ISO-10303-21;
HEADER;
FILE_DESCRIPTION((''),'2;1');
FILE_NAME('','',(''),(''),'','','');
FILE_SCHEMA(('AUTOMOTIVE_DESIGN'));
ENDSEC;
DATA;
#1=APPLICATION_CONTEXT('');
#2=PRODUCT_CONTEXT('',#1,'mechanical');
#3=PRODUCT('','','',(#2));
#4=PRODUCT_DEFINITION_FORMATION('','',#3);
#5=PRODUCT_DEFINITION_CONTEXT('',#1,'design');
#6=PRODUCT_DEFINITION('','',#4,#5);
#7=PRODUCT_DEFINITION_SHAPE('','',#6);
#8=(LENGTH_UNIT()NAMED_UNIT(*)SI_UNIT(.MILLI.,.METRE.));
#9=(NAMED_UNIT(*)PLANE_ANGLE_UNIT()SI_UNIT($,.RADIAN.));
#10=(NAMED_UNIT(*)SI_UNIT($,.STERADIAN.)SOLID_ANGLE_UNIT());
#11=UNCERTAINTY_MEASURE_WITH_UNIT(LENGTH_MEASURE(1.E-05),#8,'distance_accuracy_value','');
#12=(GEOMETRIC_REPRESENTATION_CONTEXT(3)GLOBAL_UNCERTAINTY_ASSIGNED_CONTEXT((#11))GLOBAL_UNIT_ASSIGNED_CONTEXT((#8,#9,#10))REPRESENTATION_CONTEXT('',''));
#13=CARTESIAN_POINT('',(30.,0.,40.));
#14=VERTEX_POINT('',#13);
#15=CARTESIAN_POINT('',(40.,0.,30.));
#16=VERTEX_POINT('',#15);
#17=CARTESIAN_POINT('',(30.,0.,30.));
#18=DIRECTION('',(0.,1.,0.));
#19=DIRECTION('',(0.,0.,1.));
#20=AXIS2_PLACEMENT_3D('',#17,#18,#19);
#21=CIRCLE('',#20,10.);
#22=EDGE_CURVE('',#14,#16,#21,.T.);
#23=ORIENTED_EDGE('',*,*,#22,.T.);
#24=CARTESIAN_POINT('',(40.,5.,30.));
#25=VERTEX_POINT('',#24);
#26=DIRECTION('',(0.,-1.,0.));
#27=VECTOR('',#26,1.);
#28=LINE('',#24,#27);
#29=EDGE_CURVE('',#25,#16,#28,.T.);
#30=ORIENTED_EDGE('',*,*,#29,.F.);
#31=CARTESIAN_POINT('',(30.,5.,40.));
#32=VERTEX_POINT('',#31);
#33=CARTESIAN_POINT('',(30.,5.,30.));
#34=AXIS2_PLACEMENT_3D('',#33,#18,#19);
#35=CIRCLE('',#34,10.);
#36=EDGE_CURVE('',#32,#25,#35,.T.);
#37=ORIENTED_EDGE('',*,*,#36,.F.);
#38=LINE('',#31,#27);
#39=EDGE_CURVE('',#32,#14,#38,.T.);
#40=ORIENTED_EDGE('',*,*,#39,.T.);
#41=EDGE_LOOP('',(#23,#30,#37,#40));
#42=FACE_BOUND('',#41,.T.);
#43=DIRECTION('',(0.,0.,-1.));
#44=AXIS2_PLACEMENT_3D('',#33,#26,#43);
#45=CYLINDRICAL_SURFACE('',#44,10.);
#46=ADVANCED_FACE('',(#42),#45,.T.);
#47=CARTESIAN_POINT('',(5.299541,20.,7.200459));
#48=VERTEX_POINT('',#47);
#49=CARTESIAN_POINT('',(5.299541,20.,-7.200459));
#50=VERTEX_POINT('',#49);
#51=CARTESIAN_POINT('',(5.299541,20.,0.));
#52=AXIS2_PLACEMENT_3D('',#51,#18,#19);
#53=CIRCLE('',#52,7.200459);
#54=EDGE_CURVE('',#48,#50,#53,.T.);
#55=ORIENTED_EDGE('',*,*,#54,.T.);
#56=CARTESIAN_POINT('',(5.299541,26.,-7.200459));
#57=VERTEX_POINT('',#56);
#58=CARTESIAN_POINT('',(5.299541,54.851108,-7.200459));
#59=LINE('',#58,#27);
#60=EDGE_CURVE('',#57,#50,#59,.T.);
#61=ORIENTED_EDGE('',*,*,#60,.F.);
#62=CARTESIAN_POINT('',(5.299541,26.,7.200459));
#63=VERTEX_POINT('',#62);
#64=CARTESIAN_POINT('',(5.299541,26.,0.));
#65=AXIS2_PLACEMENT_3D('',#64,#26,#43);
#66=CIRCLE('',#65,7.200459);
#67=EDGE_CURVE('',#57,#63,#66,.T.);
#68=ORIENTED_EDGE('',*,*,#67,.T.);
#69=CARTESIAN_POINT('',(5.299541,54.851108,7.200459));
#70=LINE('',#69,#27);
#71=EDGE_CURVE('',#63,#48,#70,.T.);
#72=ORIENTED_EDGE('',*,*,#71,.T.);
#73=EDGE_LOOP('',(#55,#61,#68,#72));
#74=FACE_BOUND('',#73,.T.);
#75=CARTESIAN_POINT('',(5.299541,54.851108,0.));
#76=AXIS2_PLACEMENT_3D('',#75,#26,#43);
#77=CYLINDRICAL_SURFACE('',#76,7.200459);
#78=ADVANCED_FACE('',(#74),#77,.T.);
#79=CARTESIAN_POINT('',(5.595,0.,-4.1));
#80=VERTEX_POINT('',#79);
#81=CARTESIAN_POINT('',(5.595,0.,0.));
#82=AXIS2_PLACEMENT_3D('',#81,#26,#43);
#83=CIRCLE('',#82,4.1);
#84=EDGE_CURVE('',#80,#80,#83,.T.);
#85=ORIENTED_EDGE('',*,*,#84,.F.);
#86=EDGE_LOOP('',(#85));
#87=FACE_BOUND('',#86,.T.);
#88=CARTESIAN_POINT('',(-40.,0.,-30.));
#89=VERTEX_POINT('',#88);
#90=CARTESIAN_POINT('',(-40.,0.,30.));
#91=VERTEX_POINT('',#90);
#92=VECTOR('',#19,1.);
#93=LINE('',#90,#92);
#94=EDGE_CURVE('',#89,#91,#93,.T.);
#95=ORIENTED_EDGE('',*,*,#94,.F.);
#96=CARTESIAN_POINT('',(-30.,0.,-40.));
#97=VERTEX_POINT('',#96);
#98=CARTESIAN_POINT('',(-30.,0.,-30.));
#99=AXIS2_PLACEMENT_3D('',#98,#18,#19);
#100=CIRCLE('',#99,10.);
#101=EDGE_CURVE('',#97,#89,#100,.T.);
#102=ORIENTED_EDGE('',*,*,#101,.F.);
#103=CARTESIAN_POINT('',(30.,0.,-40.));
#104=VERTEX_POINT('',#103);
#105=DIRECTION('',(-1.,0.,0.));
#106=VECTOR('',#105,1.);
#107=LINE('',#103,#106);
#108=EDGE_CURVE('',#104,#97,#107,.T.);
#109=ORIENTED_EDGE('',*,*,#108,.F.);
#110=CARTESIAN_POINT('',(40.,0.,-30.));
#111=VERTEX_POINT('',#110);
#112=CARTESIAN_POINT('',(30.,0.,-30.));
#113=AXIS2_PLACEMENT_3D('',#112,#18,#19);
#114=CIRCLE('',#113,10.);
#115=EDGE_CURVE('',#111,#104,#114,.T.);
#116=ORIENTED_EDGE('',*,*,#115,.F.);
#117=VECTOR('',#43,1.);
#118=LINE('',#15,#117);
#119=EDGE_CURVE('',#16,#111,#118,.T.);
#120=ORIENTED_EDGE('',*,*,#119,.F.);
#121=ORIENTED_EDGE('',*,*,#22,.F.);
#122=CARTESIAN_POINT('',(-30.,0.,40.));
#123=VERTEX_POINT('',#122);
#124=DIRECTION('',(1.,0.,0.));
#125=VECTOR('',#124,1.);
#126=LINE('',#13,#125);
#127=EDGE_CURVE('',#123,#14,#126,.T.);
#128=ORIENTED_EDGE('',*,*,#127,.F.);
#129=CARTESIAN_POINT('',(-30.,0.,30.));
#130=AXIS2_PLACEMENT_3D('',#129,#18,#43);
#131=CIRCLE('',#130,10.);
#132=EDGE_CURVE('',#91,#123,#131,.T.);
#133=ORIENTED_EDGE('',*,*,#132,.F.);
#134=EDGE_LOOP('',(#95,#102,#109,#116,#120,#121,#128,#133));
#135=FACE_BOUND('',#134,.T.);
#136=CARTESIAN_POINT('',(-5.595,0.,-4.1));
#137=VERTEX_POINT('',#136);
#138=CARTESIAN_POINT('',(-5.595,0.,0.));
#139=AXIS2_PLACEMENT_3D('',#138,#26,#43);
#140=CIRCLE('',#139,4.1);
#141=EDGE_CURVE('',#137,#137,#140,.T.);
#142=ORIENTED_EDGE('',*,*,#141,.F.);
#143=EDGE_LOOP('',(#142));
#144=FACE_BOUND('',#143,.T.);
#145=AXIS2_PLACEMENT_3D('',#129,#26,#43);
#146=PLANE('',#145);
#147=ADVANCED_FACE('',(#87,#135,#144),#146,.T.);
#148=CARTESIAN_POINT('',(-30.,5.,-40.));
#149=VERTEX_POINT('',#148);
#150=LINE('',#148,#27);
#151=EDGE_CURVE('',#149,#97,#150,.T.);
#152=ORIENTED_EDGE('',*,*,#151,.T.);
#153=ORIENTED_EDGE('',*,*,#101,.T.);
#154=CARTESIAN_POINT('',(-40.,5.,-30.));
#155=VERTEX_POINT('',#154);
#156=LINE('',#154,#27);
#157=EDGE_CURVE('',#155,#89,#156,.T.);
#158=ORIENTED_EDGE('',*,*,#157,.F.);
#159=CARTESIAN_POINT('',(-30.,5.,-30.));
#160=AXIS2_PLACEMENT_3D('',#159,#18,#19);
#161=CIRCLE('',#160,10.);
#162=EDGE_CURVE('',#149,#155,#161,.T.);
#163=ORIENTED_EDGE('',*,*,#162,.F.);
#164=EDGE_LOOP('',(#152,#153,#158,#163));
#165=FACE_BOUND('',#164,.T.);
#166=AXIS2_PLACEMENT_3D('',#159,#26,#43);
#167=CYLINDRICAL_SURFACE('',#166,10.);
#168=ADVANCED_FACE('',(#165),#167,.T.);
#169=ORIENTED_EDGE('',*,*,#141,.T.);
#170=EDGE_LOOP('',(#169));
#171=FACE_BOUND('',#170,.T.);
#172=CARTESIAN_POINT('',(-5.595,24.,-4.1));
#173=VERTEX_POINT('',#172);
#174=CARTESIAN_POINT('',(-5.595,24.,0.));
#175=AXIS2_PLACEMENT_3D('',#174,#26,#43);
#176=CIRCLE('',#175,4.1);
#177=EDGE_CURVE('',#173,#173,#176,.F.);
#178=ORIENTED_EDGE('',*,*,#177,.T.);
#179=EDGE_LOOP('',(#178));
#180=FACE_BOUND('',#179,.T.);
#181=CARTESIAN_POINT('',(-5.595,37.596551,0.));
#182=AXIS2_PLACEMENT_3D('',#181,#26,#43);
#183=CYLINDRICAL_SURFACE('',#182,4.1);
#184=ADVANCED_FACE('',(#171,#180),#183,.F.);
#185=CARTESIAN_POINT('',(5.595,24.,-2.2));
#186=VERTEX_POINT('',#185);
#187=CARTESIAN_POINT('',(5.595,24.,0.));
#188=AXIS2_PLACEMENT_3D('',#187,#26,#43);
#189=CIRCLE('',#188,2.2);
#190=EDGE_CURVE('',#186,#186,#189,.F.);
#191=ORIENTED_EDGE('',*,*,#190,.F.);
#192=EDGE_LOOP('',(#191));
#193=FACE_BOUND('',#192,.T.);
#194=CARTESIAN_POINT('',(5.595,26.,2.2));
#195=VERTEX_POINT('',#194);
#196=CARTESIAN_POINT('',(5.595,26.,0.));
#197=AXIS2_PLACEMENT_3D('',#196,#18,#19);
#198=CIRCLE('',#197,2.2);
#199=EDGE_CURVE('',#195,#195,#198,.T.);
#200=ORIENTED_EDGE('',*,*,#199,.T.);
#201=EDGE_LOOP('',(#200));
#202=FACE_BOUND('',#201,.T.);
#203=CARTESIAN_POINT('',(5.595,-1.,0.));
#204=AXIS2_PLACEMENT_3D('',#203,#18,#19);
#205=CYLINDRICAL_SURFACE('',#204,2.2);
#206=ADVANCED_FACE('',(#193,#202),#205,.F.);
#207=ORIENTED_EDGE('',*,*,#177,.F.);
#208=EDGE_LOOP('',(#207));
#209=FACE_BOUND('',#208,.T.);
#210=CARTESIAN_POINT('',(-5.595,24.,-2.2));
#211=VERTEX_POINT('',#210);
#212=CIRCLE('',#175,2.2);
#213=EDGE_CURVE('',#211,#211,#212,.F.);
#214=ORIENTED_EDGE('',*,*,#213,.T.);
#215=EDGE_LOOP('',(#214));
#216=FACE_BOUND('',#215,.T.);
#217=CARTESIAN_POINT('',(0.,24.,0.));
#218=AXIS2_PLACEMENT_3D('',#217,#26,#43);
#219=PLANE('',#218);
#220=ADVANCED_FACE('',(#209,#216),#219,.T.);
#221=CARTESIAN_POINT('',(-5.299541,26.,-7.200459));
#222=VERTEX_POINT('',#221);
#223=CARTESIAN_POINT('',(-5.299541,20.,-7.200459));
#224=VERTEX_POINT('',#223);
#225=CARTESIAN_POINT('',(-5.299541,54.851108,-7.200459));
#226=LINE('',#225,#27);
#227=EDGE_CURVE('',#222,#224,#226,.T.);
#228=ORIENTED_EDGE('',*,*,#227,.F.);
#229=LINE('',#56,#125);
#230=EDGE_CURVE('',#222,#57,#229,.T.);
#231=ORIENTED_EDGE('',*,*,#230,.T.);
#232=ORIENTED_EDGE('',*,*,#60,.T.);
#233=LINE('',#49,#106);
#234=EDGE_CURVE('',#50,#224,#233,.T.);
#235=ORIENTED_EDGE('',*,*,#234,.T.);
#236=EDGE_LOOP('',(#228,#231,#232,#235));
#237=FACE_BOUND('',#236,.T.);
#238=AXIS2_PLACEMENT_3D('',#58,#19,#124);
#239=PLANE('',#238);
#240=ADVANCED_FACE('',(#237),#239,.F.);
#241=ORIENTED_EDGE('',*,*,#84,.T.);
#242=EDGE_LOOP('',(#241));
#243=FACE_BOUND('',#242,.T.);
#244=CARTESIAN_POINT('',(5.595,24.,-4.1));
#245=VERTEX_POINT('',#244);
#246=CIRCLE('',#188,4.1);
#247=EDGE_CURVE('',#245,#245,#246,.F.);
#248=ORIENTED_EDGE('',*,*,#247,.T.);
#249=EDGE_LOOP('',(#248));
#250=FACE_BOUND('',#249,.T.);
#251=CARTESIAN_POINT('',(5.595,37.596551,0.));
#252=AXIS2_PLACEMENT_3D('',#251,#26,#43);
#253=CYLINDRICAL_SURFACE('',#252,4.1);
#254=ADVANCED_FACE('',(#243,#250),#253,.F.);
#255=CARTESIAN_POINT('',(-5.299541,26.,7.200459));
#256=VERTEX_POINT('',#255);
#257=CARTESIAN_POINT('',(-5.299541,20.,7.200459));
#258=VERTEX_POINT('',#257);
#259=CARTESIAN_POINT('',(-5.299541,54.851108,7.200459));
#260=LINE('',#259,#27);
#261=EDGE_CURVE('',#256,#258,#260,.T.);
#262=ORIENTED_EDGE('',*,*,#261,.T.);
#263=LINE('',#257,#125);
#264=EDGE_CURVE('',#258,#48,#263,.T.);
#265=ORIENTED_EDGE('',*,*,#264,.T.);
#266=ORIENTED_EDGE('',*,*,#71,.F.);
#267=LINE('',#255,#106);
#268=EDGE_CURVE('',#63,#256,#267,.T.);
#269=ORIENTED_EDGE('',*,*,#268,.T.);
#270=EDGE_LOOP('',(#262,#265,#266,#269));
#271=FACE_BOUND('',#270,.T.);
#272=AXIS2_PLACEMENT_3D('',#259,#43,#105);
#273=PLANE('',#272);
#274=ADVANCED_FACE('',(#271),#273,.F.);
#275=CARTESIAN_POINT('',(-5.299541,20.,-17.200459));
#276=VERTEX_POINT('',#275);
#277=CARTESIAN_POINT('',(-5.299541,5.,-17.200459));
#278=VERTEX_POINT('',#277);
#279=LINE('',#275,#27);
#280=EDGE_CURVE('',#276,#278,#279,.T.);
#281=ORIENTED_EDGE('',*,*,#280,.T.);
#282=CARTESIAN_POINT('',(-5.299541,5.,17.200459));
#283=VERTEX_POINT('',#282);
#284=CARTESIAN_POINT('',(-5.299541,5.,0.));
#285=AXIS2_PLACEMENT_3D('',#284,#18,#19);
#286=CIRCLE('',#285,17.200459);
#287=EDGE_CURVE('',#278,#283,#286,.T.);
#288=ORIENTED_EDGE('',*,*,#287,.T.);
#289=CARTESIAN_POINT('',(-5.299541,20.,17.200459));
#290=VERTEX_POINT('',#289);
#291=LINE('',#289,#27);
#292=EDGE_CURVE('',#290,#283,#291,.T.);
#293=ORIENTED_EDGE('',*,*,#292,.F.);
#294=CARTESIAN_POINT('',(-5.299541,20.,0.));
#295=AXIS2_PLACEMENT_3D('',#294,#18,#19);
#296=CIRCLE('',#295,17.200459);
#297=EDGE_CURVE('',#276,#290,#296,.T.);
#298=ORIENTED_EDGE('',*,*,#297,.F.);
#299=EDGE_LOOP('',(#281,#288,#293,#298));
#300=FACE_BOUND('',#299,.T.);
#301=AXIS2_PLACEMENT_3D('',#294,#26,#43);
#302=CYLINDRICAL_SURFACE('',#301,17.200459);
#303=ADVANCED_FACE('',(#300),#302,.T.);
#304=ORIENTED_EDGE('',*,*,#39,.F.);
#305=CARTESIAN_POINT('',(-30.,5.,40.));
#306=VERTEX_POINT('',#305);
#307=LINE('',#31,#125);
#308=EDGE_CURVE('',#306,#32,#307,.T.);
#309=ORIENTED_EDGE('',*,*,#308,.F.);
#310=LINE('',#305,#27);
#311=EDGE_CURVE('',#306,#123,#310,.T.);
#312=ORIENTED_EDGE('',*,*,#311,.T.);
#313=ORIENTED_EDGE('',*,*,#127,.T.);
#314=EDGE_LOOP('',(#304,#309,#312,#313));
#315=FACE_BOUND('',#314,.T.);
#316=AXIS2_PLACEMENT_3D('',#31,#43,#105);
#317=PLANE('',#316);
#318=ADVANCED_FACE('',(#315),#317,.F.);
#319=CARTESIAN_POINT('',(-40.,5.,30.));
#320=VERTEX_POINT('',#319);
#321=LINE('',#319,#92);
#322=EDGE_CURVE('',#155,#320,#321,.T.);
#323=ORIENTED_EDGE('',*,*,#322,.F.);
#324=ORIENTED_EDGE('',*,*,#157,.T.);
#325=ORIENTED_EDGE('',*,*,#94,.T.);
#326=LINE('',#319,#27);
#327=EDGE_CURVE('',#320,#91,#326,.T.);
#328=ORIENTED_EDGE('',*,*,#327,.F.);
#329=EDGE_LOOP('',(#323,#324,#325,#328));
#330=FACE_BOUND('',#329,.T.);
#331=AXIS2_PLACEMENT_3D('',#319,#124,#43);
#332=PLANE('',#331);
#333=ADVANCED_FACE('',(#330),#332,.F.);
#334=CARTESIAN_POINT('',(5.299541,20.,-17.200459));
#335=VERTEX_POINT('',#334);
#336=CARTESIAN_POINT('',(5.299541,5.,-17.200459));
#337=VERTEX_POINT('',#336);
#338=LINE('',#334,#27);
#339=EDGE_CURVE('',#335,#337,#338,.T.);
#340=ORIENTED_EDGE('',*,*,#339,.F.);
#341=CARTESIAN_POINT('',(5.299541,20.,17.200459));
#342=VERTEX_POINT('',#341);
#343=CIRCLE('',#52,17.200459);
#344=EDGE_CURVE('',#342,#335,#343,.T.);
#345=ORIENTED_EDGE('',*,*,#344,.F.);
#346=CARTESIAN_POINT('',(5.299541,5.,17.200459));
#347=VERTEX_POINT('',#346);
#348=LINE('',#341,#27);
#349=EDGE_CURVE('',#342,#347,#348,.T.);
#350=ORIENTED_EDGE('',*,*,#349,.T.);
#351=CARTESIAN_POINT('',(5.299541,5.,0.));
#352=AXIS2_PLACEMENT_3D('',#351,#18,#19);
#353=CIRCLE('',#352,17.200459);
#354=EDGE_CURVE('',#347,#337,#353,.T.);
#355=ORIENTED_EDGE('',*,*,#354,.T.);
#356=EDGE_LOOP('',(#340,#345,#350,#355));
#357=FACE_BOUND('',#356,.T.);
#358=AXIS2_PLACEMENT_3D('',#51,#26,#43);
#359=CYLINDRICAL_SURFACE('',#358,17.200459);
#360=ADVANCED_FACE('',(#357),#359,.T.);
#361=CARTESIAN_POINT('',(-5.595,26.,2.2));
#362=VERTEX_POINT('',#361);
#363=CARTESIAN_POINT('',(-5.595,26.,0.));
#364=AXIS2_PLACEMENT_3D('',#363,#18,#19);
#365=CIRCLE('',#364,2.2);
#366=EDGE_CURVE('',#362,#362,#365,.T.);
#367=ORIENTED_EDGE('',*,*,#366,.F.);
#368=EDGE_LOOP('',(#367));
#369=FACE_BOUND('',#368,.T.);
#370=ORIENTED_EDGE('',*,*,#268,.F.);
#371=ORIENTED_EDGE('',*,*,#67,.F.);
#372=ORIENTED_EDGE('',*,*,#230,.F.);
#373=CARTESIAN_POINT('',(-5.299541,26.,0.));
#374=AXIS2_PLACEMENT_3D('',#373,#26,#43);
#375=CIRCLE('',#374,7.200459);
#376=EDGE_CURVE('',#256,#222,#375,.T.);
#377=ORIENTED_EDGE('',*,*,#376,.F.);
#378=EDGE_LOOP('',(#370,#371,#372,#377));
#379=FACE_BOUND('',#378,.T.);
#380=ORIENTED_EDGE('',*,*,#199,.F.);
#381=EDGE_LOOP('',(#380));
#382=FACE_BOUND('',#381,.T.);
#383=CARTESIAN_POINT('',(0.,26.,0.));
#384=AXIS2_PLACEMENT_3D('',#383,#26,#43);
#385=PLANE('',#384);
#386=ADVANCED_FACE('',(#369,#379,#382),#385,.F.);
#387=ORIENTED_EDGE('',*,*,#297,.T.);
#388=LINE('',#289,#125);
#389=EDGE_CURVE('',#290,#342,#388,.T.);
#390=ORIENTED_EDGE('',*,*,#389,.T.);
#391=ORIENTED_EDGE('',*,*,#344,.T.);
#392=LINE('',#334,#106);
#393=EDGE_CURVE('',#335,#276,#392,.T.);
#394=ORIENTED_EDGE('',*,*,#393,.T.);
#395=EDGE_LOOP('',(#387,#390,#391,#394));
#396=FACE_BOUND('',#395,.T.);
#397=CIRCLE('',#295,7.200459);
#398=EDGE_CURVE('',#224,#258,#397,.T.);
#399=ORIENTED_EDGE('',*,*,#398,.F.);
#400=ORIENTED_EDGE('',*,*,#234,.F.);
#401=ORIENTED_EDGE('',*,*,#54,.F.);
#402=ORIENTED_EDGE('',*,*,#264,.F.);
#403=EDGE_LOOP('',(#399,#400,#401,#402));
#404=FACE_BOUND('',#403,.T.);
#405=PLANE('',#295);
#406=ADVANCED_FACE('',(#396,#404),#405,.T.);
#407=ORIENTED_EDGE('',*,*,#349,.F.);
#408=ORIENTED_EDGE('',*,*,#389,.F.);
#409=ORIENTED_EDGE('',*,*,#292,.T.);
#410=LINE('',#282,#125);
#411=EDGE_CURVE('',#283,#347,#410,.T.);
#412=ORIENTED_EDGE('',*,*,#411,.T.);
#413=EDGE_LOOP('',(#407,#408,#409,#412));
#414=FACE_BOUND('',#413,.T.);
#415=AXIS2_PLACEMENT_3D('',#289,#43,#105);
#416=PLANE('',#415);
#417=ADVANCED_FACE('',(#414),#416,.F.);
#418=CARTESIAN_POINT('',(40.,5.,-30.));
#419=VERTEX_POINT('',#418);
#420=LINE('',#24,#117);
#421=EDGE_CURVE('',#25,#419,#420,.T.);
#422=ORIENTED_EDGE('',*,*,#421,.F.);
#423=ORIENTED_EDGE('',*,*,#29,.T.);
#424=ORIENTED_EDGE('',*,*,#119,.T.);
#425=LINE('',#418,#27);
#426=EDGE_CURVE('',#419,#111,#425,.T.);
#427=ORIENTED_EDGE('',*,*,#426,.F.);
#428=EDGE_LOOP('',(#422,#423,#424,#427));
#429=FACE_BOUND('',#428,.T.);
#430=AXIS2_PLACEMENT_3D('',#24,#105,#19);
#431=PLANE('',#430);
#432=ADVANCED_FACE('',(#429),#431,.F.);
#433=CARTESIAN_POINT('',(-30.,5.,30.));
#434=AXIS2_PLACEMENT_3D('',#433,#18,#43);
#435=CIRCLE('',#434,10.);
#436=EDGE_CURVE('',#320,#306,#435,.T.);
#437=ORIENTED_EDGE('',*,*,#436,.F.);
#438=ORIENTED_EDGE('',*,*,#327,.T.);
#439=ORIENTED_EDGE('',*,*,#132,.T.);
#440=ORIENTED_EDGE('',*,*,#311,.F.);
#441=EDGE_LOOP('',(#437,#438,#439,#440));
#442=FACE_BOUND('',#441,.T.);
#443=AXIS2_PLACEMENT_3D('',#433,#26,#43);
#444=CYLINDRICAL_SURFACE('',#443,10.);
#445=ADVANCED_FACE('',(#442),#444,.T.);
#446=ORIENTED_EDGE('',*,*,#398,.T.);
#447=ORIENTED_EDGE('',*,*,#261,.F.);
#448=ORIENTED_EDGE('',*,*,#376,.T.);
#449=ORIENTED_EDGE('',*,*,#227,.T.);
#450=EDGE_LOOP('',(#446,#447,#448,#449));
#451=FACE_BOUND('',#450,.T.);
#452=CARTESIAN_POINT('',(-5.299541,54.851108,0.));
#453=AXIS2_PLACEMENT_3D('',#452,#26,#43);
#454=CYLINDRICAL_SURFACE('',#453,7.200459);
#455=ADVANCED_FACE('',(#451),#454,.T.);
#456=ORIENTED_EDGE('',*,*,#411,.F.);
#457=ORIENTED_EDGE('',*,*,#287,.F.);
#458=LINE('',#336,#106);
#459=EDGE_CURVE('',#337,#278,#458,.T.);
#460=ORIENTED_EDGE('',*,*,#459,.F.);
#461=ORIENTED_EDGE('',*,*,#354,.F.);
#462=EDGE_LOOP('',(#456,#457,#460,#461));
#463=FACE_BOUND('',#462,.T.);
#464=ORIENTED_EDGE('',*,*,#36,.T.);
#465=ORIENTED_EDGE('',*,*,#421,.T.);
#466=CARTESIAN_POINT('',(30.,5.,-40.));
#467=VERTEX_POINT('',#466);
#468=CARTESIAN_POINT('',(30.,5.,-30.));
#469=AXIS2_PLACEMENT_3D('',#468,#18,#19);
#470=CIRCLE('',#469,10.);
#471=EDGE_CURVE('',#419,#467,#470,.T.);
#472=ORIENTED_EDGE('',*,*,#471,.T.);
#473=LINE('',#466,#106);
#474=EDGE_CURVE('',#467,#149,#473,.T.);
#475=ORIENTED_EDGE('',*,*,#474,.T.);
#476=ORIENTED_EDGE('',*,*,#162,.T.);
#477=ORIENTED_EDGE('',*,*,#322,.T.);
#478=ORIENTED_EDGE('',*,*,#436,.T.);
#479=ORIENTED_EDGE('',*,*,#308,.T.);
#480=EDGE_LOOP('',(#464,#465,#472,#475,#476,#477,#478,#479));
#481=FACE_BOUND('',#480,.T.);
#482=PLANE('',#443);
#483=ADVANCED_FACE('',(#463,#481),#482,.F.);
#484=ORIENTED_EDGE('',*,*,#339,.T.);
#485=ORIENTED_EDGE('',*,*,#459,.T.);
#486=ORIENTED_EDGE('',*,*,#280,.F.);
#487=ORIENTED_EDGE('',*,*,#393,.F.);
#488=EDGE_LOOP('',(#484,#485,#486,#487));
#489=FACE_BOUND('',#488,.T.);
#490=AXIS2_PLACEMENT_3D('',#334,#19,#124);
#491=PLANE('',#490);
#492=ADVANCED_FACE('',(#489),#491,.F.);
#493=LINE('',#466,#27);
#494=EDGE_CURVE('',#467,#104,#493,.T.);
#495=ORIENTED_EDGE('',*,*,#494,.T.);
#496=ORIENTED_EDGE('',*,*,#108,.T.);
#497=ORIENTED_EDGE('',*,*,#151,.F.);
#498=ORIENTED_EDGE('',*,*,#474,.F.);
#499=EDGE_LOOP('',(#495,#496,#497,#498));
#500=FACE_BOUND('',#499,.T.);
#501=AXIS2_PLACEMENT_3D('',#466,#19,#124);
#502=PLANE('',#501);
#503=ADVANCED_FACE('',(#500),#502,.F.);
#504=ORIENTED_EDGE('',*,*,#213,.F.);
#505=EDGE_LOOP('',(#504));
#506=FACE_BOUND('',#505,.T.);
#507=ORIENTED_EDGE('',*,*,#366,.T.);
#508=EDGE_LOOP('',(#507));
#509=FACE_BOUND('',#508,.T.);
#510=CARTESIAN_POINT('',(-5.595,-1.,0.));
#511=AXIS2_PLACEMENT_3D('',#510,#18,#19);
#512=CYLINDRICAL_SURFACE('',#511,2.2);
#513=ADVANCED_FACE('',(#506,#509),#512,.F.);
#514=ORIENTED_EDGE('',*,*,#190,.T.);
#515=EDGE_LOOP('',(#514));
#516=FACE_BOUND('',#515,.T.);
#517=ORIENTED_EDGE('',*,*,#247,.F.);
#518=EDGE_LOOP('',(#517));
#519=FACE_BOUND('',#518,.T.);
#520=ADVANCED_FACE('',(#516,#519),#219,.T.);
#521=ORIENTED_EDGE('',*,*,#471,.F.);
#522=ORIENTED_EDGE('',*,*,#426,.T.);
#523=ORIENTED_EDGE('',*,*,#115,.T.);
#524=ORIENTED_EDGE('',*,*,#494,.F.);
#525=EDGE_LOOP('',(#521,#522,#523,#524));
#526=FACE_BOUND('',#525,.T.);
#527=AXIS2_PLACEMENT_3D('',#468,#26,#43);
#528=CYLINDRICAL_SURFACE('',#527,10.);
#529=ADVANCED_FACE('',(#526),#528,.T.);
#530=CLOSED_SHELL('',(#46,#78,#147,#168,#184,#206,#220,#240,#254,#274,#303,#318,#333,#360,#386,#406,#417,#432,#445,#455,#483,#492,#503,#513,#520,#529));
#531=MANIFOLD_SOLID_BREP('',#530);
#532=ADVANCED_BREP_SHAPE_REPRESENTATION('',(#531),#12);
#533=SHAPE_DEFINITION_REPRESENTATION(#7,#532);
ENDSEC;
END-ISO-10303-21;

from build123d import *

# Parameters (mm, degrees)
BOSS_EXTRUDE1_DEPTH = 5
BOSS_EXTRUDE2_DEPTH = 15
BOSS_EXTRUDE3_DEPTH = 6
SKETCH6_R           = 2.2
CUT_EXTRUDE1_DEPTH  = 27
SKETCH7_R           = 4.1
CUT_EXTRUDE2_DEPTH  = 24


with BuildPart() as part:
    # Sketch1 → Boss-Extrude1 (new body)
    with BuildSketch(Plane(origin=(0, 0, 0), x_dir=(1, 0, 0), z_dir=(0, 1, 0))):
        with BuildLine():
            Line((30, -40), (-30, -40))
            ThreePointArc((-30, -40), (-37.071067812, -37.071067812), (-40, -30))
            Line((-40, -30), (-40, 30))
            ThreePointArc((-40, 30), (-37.071067812, 37.071067812), (-30, 40))
            Line((-30, 40), (30, 40))
            ThreePointArc((30, 40), (37.071067812, 37.071067812), (40, 30))
            Line((40, 30), (40, -30))
            ThreePointArc((40, -30), (37.071067812, -37.071067812), (30, -40))
        make_face()
    extrude(amount=BOSS_EXTRUDE1_DEPTH)

    # Sketch4 → Boss-Extrude2 (add)
    with BuildSketch(Plane(origin=(0, 5, 0), x_dir=(1, 0, 0), z_dir=(0, 1, 0))):
        with BuildLine():
            Line((-5.29954084, -17.20045916), (5.29954084, -17.20045916))
            ThreePointArc((5.29954084, -17.20045916), (22.5, 0), (5.29954084, 17.20045916))
            Line((5.29954084, 17.20045916), (-5.29954084, 17.20045916))
            ThreePointArc((-5.29954084, 17.20045916), (-22.5, 0), (-5.29954084, -17.20045916))
        make_face()
    extrude(amount=BOSS_EXTRUDE2_DEPTH)

    # Sketch5 → Boss-Extrude3 (add)
    with BuildSketch(Plane(origin=(0, 20, 0), x_dir=(1, 0, 0), z_dir=(0, 1, 0))):
        with BuildLine():
            Line((-5.29954084, -7.20045916), (5.29954084, -7.20045916))
            ThreePointArc((5.29954084, -7.20045916), (12.5, 0), (5.29954084, 7.20045916))
            Line((5.29954084, 7.20045916), (-5.29954084, 7.20045916))
            ThreePointArc((-5.29954084, 7.20045916), (-12.5, 0), (-5.29954084, -7.20045916))
        make_face()
    extrude(amount=BOSS_EXTRUDE3_DEPTH)

    # Sketch6 → Cut-Extrude1 (cut)
    with BuildSketch(Plane(origin=(0, 26, 0), x_dir=(1, 0, 0), z_dir=(0, 1, 0))):
        with Locations((-5.595, 0)):
            Circle(SKETCH6_R)
        with Locations((5.595, 0)):
            Circle(SKETCH6_R)
    extrude(amount=-CUT_EXTRUDE1_DEPTH, mode=Mode.SUBTRACT)

    # Sketch7 → Cut-Extrude2 (cut)
    with BuildSketch(Plane.XZ):
        with Locations((5.595, 0)):
            Circle(SKETCH7_R)
        with Locations((-5.595, 0)):
            Circle(SKETCH7_R)
    extrude(amount=-CUT_EXTRUDE2_DEPTH, mode=Mode.SUBTRACT)


solid = part.part
